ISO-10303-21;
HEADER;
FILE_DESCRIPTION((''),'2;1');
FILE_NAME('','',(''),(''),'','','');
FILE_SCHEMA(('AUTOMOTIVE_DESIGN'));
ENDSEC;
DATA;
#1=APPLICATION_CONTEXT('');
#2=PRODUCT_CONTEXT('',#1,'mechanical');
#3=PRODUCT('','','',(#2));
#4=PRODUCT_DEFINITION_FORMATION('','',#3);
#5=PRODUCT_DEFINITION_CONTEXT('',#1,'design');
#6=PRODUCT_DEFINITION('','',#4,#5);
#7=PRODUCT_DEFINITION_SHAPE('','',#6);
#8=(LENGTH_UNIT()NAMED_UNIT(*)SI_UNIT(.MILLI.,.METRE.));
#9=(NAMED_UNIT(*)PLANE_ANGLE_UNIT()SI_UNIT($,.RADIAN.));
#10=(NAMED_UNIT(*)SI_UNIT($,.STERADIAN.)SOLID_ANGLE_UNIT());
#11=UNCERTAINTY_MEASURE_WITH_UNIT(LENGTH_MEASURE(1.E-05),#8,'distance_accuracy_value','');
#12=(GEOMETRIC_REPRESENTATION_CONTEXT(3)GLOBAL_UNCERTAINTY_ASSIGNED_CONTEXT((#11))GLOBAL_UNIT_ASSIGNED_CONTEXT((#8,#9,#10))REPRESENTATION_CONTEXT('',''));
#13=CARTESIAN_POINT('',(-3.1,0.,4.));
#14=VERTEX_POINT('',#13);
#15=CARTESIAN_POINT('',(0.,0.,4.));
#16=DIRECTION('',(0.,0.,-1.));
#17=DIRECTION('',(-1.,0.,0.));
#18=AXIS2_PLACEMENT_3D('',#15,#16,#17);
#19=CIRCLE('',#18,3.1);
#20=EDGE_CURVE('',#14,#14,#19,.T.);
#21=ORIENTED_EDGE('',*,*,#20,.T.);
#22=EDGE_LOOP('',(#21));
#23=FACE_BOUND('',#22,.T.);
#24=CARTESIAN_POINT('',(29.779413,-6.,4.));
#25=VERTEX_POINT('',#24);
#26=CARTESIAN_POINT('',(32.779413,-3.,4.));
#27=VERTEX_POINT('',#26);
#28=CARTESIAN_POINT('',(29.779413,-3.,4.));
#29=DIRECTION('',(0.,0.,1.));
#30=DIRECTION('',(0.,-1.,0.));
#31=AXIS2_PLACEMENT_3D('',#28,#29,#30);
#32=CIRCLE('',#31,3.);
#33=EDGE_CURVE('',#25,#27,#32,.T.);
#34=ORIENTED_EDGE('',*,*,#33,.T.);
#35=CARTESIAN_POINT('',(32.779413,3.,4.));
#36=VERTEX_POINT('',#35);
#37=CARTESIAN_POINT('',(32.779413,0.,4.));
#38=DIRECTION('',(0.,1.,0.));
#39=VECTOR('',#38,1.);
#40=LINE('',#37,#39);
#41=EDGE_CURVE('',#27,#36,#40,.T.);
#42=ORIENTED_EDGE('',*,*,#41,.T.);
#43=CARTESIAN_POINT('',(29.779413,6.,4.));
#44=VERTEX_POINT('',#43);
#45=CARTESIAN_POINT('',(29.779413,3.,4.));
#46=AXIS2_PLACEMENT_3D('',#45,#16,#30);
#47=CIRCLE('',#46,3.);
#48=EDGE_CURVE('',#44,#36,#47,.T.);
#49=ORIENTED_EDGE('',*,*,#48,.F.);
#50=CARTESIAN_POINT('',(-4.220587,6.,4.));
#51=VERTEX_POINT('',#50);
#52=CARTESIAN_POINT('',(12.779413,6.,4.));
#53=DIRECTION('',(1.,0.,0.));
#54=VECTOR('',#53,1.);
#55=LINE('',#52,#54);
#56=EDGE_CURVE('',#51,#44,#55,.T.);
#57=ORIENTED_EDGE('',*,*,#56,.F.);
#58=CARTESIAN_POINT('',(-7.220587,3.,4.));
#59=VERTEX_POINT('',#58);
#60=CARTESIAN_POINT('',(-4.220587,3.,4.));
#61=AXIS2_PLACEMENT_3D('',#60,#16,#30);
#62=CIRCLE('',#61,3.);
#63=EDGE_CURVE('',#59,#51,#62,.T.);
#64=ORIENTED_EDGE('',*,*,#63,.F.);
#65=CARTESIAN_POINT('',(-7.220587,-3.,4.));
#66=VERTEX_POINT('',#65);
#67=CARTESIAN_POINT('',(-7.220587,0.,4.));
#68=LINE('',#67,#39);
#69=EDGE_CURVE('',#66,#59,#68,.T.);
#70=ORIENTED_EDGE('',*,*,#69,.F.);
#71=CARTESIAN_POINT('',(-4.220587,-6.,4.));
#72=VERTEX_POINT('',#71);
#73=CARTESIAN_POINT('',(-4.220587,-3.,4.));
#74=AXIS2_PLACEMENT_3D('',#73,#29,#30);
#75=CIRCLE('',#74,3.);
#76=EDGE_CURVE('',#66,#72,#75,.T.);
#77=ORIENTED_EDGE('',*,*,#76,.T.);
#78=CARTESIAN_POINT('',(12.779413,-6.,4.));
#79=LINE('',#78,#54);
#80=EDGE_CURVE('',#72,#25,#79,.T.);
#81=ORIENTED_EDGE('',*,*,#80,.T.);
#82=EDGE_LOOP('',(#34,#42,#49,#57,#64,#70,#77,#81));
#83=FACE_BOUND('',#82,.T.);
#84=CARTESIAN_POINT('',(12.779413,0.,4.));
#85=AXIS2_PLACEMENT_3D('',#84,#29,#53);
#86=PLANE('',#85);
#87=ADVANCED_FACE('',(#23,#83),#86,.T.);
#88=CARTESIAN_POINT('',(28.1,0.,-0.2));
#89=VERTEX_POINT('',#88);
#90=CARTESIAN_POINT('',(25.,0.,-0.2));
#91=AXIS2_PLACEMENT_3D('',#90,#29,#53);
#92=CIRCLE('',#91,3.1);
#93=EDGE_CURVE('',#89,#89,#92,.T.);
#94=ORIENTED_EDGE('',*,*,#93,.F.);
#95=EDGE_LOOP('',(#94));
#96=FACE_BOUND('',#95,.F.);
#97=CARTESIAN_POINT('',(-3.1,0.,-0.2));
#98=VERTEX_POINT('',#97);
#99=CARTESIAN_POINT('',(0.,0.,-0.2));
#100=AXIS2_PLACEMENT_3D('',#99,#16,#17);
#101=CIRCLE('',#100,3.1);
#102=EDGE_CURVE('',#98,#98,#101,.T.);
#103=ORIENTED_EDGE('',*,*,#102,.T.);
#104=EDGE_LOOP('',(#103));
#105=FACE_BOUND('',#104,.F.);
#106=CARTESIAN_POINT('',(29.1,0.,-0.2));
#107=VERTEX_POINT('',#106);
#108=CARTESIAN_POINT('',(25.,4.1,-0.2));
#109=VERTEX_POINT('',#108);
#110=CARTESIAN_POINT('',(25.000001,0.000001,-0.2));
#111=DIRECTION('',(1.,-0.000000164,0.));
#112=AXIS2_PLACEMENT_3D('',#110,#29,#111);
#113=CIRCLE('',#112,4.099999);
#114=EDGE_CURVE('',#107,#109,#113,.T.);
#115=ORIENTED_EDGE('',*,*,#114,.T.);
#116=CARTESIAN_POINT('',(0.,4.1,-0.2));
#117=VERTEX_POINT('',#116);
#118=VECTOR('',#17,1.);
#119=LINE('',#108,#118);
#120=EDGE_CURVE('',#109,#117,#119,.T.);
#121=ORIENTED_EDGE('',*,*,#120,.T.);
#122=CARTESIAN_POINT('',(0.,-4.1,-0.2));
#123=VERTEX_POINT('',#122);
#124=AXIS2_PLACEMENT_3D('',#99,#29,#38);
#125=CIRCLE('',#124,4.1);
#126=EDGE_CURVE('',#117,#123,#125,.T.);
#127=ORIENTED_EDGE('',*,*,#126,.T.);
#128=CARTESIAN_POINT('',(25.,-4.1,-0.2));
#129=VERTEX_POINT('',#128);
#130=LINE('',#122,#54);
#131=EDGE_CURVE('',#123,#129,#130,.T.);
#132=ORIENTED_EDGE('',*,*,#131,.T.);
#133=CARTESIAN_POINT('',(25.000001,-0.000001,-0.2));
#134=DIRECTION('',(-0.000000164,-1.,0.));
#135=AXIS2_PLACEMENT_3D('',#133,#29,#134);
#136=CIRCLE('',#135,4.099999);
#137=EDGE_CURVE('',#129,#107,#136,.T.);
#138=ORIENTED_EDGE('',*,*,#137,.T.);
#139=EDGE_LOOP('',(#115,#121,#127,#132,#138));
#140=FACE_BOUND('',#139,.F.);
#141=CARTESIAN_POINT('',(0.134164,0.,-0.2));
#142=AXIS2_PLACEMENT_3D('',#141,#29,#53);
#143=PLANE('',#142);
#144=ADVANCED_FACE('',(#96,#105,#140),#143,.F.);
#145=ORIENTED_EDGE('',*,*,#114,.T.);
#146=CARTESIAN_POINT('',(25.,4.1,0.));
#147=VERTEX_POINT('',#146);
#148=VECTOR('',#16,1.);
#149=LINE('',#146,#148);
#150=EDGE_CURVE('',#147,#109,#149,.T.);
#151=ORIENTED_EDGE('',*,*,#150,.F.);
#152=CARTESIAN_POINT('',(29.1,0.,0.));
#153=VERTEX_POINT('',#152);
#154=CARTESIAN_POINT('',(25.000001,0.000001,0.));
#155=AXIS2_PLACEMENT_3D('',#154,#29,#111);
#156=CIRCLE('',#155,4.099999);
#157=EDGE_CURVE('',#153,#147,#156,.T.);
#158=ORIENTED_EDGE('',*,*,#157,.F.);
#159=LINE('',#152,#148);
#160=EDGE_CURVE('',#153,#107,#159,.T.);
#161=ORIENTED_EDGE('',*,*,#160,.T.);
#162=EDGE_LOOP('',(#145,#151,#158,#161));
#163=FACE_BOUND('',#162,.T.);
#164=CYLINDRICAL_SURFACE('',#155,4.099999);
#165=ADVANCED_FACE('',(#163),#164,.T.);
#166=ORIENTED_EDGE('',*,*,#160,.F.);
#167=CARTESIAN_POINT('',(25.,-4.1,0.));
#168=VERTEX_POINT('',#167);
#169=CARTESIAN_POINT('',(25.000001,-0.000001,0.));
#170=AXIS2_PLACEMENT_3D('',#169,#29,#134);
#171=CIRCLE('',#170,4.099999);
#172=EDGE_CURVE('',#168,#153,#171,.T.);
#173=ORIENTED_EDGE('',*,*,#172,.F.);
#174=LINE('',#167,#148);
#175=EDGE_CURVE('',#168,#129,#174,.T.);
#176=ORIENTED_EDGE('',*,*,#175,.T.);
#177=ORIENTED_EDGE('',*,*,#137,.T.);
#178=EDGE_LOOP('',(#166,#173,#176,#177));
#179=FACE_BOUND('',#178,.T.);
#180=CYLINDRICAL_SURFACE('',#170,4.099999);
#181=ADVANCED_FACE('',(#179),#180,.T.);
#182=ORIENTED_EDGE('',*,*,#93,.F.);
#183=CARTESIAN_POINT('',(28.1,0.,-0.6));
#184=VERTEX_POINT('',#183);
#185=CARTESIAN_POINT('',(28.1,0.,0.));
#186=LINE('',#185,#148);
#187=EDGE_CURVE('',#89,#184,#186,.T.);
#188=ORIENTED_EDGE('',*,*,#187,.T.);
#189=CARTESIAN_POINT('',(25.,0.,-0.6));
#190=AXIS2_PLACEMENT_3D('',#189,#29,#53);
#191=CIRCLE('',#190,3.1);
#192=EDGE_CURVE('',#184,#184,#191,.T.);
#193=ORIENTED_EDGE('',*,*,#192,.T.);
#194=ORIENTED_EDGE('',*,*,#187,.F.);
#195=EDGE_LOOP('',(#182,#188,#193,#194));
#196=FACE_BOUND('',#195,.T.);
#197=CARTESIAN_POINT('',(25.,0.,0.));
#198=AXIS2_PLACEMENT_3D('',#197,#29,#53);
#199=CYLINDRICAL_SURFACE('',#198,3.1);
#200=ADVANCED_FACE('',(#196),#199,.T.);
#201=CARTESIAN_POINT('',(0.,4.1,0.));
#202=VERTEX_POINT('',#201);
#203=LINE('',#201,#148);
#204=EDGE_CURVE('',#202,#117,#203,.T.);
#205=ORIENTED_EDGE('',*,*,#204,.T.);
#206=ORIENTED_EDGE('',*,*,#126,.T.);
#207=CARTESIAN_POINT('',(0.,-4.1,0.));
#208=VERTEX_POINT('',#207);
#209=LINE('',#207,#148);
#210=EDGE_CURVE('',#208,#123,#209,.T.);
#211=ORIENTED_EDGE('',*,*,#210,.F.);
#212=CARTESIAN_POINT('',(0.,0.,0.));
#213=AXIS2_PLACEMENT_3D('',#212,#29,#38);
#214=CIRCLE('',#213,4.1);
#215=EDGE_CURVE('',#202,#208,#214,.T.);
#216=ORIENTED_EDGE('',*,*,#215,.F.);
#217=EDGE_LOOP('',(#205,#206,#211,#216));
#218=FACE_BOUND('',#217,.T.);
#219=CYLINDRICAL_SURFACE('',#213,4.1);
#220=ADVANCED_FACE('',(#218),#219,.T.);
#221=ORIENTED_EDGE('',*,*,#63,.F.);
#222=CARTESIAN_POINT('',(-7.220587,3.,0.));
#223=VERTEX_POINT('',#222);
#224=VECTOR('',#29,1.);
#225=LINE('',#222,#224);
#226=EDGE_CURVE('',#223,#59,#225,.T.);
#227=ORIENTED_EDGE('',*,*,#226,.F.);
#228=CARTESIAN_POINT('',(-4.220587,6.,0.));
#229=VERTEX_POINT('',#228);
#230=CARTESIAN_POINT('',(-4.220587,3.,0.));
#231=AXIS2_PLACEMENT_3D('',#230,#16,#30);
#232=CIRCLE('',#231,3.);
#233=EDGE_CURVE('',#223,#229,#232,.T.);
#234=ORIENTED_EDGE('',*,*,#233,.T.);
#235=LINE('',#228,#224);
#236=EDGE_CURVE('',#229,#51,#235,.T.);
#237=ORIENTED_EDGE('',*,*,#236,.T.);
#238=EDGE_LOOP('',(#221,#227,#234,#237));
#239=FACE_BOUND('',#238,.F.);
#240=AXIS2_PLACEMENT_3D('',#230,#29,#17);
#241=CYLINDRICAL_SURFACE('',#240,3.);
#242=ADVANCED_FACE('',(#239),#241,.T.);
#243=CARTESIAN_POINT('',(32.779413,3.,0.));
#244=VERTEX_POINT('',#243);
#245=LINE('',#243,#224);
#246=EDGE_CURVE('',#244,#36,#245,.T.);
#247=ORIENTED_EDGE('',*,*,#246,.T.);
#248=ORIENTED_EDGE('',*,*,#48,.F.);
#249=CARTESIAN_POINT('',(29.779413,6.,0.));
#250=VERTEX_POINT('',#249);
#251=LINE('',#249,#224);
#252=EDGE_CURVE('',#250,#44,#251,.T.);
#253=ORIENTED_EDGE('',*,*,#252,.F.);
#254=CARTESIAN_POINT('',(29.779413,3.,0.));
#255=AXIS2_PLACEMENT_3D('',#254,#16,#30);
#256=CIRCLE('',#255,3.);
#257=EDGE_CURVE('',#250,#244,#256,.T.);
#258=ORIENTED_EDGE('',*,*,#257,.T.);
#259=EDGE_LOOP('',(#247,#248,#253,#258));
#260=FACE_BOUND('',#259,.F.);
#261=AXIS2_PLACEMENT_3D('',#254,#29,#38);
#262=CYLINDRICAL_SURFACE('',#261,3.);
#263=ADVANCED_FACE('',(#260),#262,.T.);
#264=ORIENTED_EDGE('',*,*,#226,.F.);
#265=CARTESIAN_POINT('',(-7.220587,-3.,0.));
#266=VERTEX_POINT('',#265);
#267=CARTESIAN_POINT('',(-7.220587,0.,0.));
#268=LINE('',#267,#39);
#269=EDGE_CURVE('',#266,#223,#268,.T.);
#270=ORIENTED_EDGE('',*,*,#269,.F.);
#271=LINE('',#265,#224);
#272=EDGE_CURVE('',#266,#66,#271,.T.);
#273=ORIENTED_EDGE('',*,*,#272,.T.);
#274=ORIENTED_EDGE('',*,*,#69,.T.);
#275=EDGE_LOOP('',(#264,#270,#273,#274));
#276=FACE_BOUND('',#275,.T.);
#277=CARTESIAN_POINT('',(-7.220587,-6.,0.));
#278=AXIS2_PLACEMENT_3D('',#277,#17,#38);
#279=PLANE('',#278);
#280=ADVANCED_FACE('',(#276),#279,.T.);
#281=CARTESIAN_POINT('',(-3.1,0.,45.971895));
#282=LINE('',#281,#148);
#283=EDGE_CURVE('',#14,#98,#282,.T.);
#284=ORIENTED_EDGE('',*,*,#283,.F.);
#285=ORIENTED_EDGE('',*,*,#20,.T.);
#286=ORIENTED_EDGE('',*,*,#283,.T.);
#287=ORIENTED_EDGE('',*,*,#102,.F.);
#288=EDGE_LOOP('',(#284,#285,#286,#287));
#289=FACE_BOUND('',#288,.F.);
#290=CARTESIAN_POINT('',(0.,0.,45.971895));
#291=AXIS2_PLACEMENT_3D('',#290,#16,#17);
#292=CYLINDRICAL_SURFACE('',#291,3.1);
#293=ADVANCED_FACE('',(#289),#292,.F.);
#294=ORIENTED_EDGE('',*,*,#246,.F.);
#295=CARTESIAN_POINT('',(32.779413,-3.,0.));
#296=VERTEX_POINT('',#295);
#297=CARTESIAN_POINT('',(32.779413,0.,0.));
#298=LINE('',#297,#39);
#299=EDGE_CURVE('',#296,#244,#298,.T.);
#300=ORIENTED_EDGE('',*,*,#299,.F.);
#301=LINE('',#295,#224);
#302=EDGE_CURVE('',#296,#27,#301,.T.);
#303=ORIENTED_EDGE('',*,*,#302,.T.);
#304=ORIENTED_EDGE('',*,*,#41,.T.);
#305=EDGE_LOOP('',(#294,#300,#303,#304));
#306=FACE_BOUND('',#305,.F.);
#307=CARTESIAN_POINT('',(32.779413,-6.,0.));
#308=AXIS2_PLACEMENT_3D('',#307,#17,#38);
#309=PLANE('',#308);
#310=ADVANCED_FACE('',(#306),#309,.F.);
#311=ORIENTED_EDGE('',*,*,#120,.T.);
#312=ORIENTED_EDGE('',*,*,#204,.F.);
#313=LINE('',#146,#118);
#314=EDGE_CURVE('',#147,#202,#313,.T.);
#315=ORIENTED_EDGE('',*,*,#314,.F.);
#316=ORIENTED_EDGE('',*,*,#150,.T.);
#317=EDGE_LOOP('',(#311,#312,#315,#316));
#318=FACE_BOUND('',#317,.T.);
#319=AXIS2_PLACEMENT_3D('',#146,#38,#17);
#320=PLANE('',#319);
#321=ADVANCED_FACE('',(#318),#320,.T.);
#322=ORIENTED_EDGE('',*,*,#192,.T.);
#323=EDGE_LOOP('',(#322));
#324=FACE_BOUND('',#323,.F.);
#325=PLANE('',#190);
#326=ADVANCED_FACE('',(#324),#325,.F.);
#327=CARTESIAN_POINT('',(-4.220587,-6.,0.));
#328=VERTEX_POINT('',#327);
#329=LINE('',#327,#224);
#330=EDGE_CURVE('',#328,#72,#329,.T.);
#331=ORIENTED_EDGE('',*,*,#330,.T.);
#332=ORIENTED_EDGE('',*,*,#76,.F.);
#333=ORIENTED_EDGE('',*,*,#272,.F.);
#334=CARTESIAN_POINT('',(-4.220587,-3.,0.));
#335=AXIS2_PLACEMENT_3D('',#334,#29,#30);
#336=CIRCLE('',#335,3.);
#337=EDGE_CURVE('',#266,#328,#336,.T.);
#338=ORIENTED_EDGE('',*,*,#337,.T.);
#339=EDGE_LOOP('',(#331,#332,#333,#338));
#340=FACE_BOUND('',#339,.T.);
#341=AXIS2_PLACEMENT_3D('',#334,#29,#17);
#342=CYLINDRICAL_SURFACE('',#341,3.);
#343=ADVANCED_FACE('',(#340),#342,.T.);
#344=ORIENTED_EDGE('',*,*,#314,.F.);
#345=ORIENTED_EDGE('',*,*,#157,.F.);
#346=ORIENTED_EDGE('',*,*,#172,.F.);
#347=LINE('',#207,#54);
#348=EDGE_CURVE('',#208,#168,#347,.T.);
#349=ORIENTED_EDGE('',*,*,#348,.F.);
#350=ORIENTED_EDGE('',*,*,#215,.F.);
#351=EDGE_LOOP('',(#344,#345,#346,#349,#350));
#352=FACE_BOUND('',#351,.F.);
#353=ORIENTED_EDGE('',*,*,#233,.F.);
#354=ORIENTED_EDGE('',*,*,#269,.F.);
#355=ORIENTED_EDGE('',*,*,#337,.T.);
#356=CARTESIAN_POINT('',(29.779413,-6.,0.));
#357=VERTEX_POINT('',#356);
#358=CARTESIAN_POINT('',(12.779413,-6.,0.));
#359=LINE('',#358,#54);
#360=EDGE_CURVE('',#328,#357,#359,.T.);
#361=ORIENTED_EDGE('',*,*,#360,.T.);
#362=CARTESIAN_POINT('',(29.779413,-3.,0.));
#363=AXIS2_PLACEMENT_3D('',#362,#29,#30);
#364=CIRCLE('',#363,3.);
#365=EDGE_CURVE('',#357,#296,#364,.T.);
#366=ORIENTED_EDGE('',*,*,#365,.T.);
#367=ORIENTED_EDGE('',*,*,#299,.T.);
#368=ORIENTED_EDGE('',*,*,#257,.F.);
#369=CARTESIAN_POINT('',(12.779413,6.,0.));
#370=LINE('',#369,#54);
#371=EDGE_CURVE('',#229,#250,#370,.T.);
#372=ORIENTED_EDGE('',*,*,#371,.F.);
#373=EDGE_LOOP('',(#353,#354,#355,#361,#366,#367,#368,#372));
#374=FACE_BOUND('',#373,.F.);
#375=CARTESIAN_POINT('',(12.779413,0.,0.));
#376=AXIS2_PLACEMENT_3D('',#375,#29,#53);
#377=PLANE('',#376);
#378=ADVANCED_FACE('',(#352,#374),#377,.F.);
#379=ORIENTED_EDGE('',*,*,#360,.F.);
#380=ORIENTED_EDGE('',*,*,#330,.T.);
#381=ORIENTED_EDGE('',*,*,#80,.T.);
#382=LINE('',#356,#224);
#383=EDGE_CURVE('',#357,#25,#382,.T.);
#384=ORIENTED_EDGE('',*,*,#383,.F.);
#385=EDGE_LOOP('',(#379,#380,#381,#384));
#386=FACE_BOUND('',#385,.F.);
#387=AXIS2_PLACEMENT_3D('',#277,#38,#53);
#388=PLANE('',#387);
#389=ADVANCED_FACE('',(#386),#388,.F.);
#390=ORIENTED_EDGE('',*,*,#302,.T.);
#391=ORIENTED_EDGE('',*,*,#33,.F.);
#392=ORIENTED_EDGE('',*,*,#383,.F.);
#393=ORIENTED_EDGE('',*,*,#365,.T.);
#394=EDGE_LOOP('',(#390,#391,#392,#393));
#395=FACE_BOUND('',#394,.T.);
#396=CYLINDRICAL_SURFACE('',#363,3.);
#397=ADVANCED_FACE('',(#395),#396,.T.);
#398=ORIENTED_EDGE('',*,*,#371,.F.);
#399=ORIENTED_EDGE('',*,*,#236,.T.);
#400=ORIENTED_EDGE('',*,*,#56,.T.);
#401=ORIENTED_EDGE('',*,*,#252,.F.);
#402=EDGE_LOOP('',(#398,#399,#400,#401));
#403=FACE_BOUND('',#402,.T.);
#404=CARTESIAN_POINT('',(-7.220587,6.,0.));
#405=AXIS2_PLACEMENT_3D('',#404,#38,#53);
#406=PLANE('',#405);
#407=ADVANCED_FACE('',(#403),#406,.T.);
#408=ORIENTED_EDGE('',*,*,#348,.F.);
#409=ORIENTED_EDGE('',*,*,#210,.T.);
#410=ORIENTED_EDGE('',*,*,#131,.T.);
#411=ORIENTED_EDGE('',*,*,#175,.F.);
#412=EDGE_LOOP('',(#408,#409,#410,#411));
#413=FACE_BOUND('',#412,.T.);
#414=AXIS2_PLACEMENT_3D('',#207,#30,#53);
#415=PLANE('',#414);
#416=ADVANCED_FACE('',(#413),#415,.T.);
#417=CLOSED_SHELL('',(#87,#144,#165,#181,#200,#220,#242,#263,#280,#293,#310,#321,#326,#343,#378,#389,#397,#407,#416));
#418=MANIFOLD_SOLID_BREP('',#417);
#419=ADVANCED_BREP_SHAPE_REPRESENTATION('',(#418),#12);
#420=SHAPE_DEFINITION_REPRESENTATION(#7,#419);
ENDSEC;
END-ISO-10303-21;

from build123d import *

# Parameters (mm, degrees)
F2_DEPTH = 0.2
F0_W     = 40
F0_H     = 12
F4_DEPTH = 4
F5_R     = 3
F7_D     = 6.2
F3_R     = 3.1
F8_DEPTH = 0.6


with BuildPart() as f2:
    # F1 (on Top) → F2 (new body)
    with BuildSketch(Plane.XY):
        with BuildLine():
            ThreePointArc((0, -4.1), (2.899138, -2.899138), (4.1, 0))
            ThreePointArc((4.1, 0), (2.899138, 2.899138), (0, 4.1))
            ThreePointArc((0, 4.1), (-4.1, 0), (0, -4.1))
        make_face()
        with BuildLine():
            ThreePointArc((0, 4.1), (2.899138, 2.899138), (4.1, 0))
            ThreePointArc((4.1, 0), (2.899138, -2.899138), (0, -4.1))
            Line((0, -4.1), (25, -4.1))
            ThreePointArc((25, -4.1), (20.9, 0), (25, 4.1))
            Line((25, 4.1), (0, 4.1))
        make_face()
        with BuildLine():
            ThreePointArc((29.1, 0), (27.899138, 2.899138), (25, 4.1))
            ThreePointArc((25, 4.1), (20.9, 0), (25, -4.1))
            ThreePointArc((25, -4.1), (27.899138, -2.899138), (29.1, 0))
        make_face()
    extrude(amount=-F2_DEPTH)

    # F0 (on Top) → F4 (join)
    with BuildSketch(Plane.XY):
        with Locations((12.779413, 0)):
            Rectangle(F0_W, F0_H)
    extrude(amount=F4_DEPTH)

    # F5
    f5_edges = [f2.edges().sort_by_distance(p)[0] for p in [
        (32.779413, -6, 2),
        (32.779413, 6, 2),
        (-7.220587, -6, 2),
        (-7.220587, 6, 2),
    ]]
    fillet(f5_edges, radius=F5_R)

    # F7 (through all)
    with Locations(Plane.XY.offset(4)):
        with Locations((0, 0)):
            Hole(F7_D / 2)

    # F3 (on Top) → F8 (join)
    with BuildSketch(Plane.XY):
        with Locations((25, 0)):
            Circle(F3_R)
    extrude(amount=-F8_DEPTH)


solid = f2.part
